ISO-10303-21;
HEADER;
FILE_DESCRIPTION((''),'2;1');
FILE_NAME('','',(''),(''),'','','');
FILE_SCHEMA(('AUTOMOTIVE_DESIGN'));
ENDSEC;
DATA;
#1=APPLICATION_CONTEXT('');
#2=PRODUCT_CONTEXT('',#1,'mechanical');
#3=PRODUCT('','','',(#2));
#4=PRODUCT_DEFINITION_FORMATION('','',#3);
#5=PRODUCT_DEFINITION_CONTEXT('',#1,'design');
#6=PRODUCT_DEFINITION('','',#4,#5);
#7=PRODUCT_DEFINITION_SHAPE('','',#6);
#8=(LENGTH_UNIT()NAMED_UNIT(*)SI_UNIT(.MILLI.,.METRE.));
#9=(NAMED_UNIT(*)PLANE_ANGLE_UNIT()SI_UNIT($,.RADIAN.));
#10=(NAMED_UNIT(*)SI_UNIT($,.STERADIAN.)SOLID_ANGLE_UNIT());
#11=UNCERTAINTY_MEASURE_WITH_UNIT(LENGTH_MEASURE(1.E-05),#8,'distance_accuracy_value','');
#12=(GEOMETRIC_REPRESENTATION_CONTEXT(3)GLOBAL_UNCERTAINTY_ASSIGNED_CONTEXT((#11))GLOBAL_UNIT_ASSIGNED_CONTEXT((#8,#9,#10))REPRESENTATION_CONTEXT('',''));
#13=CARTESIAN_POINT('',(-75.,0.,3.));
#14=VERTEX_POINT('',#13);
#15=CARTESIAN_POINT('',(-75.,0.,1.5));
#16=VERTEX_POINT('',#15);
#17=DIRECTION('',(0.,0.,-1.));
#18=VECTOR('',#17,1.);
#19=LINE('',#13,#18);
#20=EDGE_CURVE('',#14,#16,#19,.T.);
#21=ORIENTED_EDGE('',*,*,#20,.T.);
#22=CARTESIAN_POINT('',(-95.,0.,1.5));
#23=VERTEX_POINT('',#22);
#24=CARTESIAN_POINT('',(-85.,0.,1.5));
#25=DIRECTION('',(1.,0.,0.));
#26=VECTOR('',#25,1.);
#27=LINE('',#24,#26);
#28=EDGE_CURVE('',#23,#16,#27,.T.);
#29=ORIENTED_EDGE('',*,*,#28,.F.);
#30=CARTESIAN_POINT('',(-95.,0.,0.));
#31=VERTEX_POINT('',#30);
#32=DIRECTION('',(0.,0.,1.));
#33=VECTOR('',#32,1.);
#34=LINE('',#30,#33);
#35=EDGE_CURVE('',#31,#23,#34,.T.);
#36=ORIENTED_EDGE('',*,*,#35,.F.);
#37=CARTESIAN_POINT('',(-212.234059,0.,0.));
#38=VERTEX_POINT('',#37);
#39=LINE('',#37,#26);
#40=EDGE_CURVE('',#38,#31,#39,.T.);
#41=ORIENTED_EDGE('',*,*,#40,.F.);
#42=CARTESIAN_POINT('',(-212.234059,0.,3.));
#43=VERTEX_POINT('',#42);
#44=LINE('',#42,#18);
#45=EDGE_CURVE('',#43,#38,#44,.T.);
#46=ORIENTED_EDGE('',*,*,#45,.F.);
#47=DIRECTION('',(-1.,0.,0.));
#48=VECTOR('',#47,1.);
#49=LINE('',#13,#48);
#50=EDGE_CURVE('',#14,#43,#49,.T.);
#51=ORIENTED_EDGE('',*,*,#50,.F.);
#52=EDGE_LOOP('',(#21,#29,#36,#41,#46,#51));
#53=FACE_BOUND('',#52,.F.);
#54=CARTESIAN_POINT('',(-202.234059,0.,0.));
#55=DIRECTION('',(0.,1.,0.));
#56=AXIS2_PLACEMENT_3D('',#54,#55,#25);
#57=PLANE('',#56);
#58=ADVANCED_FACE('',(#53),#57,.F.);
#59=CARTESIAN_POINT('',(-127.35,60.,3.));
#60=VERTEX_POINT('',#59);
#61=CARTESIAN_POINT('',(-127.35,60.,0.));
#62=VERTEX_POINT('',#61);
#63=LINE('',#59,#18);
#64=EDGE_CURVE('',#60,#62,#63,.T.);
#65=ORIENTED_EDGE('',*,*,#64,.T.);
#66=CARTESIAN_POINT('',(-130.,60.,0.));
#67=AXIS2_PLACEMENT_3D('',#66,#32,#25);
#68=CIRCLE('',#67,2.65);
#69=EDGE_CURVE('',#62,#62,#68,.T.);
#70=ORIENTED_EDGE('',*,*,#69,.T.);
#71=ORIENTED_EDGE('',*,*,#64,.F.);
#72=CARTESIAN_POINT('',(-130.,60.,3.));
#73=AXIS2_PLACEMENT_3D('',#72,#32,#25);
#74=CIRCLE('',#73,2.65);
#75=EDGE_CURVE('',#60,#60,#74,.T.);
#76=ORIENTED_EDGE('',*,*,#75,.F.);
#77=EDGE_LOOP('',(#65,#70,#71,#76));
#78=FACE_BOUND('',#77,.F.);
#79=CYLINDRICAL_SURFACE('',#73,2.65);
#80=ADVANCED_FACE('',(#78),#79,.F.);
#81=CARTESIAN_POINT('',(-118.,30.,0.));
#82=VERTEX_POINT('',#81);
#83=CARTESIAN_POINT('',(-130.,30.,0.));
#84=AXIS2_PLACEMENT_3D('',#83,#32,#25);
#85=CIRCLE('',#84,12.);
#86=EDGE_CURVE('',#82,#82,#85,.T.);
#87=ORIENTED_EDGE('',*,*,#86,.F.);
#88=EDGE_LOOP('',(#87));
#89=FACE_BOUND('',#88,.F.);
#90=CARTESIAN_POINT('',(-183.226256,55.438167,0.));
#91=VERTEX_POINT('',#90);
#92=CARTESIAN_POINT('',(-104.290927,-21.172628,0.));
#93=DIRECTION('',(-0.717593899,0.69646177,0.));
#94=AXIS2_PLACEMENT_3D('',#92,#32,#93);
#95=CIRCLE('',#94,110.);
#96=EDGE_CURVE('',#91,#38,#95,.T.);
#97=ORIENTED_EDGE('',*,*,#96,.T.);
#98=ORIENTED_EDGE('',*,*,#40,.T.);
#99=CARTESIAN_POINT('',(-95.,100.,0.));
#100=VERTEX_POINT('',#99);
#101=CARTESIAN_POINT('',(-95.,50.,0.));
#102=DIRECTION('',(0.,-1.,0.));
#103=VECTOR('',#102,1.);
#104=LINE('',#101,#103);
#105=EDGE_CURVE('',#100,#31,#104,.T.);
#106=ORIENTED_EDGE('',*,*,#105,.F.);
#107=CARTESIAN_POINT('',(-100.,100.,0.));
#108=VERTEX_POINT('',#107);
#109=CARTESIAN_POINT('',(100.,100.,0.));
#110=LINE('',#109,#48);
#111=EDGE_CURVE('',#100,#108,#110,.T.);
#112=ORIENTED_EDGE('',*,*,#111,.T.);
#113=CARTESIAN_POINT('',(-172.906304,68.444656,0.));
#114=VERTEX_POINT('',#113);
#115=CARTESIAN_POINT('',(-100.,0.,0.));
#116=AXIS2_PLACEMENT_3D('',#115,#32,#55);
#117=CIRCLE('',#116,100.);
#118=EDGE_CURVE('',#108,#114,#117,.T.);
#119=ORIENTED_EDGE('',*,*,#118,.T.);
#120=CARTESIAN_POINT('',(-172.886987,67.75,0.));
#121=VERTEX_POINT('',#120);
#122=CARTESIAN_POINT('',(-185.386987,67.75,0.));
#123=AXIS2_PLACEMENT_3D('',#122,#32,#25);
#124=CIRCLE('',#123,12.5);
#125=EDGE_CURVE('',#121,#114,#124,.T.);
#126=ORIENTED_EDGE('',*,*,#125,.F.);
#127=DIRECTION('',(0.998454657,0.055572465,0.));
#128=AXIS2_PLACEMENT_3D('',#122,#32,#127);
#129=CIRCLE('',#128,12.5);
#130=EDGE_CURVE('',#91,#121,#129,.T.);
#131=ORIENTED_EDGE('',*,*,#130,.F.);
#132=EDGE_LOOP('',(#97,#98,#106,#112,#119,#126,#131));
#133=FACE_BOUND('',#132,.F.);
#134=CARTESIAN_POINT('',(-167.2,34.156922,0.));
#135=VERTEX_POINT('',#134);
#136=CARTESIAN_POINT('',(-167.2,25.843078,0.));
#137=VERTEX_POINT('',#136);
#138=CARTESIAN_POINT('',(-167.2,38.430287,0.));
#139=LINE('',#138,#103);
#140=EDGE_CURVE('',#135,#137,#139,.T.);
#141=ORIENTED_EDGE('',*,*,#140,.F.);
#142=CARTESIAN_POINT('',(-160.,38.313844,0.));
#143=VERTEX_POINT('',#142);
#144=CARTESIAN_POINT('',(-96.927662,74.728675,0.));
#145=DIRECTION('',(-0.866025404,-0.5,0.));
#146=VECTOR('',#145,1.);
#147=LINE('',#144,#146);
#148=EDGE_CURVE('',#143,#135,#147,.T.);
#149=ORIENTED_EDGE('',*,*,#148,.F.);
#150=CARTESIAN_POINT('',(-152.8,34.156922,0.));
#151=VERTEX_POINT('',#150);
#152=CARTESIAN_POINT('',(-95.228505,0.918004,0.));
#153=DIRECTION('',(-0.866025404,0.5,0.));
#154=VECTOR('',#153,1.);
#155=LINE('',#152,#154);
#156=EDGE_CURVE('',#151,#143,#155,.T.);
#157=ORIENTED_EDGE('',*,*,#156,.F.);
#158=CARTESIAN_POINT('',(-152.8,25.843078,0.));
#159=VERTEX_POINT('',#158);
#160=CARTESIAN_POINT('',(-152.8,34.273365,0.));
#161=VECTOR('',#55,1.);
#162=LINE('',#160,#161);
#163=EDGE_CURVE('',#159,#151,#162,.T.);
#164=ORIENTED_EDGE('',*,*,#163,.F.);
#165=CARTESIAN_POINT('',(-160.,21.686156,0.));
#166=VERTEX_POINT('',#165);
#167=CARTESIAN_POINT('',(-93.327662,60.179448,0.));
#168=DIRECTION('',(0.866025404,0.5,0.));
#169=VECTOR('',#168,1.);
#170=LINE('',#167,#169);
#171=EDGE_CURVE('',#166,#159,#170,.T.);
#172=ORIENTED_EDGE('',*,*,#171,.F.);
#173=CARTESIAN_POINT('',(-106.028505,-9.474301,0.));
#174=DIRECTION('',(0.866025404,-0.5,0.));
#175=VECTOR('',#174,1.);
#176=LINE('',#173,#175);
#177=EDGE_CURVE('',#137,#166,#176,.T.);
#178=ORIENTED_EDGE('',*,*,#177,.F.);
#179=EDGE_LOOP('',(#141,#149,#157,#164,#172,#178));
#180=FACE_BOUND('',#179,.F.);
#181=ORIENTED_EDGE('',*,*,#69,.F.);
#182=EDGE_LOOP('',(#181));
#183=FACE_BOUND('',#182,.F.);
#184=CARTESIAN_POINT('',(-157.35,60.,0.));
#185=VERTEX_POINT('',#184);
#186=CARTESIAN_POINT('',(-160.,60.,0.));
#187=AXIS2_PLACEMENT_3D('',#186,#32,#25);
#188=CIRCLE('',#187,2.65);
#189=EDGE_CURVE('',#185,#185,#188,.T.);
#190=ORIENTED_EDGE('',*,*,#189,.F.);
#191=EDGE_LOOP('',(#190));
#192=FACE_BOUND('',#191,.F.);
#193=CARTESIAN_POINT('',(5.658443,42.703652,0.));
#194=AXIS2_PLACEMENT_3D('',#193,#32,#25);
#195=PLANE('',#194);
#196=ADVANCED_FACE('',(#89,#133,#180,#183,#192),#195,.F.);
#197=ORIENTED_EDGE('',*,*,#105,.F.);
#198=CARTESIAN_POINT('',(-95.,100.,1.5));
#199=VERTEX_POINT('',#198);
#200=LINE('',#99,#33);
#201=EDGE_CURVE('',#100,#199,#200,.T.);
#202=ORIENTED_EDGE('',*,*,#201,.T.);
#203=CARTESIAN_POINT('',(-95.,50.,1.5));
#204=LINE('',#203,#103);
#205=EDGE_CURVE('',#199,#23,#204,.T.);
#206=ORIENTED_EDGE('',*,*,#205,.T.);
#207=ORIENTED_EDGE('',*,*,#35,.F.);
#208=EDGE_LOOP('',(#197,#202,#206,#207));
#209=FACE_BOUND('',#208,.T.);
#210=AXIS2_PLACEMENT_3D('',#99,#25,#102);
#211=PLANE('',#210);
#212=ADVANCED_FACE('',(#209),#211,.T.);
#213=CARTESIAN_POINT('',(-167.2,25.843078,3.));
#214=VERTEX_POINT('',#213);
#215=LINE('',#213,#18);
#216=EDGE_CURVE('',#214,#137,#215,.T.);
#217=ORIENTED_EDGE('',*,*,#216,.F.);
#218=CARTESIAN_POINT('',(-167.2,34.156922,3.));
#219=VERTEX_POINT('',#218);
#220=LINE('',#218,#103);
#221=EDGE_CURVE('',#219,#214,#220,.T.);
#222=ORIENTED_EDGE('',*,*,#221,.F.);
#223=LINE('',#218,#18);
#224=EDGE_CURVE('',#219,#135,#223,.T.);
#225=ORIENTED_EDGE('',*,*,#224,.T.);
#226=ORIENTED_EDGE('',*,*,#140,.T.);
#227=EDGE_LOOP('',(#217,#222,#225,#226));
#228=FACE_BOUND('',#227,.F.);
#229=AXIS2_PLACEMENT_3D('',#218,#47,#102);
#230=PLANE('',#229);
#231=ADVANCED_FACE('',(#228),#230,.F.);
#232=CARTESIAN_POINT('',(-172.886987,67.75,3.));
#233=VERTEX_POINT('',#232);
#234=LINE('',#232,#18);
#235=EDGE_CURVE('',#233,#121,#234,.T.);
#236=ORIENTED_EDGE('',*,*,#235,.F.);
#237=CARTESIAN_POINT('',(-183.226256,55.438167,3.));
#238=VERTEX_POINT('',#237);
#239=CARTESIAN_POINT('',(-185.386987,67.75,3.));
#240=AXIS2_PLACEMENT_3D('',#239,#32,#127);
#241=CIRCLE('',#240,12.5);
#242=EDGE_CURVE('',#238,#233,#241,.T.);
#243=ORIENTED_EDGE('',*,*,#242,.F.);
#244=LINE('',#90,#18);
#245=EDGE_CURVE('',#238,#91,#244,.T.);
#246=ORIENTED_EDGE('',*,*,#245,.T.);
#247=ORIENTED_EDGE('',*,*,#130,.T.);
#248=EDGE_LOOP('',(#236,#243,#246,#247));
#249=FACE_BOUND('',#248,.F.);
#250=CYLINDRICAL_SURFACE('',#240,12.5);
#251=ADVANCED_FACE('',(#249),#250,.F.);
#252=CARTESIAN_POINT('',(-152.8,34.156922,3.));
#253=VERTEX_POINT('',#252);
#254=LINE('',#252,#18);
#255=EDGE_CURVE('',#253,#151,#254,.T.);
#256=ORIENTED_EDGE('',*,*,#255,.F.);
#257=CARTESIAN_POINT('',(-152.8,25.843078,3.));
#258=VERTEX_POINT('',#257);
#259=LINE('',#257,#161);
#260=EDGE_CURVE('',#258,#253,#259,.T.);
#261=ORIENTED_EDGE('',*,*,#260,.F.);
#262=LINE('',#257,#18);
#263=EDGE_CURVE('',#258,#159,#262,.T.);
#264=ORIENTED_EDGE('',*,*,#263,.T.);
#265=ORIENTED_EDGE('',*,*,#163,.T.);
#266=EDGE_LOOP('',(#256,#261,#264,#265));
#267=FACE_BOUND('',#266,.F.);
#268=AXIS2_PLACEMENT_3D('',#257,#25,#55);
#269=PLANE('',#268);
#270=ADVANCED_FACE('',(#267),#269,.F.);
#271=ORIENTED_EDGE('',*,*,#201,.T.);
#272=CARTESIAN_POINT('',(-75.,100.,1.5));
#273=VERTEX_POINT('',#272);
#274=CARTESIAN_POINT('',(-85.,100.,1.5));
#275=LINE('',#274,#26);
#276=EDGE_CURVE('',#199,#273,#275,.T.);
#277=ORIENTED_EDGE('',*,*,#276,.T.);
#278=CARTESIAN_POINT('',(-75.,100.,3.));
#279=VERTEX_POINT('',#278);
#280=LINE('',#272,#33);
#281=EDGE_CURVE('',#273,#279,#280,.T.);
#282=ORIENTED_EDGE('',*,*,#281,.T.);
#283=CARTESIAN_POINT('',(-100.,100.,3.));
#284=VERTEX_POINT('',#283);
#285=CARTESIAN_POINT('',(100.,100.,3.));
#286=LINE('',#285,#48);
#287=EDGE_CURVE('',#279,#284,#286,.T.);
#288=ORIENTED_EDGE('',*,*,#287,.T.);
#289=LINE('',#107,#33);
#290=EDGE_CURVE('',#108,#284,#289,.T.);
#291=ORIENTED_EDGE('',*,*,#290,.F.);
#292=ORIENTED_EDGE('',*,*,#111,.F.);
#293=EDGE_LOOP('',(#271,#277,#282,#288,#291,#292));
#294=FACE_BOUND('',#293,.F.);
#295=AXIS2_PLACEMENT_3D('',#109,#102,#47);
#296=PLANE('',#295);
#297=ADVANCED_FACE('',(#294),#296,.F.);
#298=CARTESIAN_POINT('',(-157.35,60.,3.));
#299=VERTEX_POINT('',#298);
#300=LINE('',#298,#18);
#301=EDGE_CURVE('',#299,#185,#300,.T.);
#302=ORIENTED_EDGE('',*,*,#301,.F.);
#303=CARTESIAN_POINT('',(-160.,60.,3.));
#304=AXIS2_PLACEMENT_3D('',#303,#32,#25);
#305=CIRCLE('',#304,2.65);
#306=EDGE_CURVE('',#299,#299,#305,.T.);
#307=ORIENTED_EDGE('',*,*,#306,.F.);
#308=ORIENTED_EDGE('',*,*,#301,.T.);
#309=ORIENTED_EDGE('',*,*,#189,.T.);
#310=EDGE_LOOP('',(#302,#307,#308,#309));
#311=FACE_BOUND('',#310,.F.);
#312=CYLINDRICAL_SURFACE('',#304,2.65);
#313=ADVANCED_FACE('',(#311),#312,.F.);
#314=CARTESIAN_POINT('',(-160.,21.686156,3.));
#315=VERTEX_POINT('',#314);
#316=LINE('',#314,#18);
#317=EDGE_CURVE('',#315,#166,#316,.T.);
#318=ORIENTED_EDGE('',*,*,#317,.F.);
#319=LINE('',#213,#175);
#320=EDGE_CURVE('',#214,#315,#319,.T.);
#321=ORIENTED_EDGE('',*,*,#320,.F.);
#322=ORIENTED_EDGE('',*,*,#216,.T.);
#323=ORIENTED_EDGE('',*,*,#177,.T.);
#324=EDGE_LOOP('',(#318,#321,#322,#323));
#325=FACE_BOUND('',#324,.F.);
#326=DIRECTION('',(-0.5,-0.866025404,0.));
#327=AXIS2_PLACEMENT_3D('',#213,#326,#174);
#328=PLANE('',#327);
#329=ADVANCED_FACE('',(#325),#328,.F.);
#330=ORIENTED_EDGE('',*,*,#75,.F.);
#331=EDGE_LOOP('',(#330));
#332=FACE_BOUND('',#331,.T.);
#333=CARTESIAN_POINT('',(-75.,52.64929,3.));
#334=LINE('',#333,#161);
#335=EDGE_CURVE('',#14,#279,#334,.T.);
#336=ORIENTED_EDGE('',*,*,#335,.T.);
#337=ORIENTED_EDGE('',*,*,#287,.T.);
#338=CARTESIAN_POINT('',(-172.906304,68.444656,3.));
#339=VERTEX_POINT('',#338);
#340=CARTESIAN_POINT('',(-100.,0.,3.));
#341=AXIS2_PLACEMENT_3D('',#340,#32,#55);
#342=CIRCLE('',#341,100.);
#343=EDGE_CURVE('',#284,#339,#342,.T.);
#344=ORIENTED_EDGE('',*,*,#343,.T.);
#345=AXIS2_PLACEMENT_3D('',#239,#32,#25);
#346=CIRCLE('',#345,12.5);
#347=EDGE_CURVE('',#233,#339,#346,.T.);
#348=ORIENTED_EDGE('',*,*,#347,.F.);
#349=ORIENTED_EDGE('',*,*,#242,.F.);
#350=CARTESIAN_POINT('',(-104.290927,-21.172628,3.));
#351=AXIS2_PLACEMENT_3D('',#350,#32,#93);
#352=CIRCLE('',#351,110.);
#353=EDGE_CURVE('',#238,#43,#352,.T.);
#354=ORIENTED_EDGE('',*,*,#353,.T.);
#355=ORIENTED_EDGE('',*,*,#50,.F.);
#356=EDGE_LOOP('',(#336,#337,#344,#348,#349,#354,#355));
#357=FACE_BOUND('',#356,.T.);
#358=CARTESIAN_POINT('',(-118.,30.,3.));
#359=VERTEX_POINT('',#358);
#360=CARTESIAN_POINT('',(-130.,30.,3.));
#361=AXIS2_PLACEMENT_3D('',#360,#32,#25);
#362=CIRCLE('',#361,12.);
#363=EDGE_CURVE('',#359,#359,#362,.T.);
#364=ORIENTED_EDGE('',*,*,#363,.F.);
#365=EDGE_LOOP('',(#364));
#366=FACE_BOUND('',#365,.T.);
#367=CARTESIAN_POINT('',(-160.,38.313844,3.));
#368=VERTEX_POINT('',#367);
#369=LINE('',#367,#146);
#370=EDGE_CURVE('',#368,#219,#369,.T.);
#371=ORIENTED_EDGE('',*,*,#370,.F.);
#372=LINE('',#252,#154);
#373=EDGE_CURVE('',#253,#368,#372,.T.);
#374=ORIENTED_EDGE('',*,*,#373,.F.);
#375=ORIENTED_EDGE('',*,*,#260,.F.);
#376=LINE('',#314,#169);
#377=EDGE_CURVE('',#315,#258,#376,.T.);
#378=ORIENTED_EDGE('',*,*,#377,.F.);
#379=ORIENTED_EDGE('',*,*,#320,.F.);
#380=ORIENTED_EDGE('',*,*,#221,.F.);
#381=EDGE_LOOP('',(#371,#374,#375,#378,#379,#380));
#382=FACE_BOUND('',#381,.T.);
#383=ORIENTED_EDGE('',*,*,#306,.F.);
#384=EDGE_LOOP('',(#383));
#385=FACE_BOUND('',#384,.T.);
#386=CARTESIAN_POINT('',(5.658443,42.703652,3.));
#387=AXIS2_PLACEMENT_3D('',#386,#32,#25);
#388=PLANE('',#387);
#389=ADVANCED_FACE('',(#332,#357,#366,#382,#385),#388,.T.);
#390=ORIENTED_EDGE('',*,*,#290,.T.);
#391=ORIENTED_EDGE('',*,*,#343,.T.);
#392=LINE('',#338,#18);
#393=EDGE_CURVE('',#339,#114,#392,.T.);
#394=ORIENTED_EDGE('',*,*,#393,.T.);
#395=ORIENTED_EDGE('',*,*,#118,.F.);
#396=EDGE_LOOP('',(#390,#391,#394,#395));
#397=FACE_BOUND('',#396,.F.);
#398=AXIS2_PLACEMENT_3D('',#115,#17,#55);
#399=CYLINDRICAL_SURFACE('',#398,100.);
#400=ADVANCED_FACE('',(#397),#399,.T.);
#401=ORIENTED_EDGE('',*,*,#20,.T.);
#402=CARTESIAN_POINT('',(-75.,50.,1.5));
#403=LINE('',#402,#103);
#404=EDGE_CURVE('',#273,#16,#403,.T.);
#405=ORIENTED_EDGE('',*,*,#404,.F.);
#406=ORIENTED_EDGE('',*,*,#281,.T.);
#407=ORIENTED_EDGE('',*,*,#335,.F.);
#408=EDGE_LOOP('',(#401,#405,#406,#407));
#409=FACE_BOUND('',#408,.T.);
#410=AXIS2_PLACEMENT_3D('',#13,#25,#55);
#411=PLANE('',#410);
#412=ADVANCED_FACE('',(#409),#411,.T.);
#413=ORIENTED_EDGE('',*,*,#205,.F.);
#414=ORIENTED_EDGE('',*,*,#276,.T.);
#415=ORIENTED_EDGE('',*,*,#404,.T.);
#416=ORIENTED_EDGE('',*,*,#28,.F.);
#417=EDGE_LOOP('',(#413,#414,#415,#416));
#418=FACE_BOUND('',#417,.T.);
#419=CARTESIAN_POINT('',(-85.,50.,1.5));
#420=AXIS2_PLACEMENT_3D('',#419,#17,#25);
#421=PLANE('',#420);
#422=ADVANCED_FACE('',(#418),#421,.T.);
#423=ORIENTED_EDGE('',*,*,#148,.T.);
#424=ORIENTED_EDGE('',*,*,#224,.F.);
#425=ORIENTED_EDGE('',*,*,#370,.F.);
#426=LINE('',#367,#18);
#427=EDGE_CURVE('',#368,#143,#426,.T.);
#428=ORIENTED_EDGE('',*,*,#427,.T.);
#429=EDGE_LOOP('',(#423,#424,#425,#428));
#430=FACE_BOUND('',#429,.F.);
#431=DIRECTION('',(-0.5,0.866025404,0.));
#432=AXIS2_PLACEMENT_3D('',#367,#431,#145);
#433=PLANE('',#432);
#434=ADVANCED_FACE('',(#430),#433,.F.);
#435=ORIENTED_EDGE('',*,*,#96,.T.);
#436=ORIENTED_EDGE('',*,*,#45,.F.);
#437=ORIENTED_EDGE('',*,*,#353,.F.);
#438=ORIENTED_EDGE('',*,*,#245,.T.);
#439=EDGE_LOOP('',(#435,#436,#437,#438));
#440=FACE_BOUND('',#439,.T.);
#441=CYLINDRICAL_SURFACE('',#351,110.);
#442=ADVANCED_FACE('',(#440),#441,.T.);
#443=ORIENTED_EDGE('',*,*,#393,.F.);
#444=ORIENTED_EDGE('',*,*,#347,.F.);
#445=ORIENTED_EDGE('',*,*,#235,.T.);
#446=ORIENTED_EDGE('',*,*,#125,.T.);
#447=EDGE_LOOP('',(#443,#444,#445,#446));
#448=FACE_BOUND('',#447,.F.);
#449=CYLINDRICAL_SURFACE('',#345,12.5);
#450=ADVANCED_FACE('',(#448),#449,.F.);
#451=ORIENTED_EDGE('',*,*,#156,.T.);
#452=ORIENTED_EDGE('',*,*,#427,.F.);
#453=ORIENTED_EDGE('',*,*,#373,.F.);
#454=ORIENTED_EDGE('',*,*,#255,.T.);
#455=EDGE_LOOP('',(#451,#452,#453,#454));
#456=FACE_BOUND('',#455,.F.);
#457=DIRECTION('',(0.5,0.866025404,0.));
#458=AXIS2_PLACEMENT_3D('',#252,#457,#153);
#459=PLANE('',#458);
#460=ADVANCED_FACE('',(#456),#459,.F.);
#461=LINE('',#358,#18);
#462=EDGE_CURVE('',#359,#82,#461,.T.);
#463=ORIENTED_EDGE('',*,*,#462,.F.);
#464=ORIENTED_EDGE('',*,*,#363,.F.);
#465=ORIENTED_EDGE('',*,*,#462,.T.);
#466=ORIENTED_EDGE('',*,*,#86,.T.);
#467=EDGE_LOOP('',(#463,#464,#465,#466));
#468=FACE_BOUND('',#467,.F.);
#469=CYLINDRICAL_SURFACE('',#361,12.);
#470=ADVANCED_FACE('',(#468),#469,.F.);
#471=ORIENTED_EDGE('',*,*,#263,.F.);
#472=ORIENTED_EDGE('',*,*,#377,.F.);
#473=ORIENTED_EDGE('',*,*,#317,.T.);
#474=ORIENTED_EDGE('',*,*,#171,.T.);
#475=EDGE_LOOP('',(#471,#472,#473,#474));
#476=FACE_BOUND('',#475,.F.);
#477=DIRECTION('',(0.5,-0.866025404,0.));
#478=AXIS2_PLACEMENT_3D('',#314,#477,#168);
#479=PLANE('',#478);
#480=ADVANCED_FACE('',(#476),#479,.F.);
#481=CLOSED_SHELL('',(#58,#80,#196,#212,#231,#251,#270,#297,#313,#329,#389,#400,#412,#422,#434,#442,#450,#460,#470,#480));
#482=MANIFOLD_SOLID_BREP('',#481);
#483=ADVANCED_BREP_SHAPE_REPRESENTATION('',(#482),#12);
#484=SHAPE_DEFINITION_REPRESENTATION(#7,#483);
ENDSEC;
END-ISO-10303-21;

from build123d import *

# Parameters (mm, degrees)
F1_DEPTH  = 3
F3_DEPTH  = 25
F4_R      = 5
F5_R      = 12
F5_R_2    = 2.65
F6_DEPTH  = 25
F7_W      = 78
F7_H      = 55.5
F7_R      = 2
F8_DEPTH  = 25
F9_R      = 8.15
F10_DEPTH = 25
F12_W     = 300.7349916597
F12_H     = 105.2985801398
F13_DEPTH = 25
F14_W     = 20
F14_H     = 100
F15_DEPTH = 1.5
F17_DEPTH = 25
F19_DEPTH = 3


with BuildPart() as f1:
    # F0 (on Top) → F1 (new body)
    with BuildSketch(Plane.XY):
        with BuildLine():
            Line((-197.8147600734, 20.7911690818), (-202.2340594865, 0))
            Line((-202.2340594865, 0), (216.0975214603, 0))
            Line((216.0975214603, 0), (209.2885731253, 20.7911690818))
            ThreePointArc((209.2885731253, 20.7911690818), (167.4870934164, 78.1154778874), (100, 100))
            Line((100, 100), (-100, 100))
            ThreePointArc((-100, 100), (-162.932039105, 77.7145961457), (-197.8147600734, 20.7911690818))
        make_face()
    extrude(amount=F1_DEPTH)

    # F2 (on face) → F3 (cut)
    with BuildSketch(Plane.XY.offset(3)):
        with BuildLine():
            ThreePointArc((1.5842979518, 0), (9.4530988092, 4.1693984068), (12.6, 12.5))
            ThreePointArc((12.6, 12.5), (12.2192388124, 15.5741182224), (11.0999678023, 18.4624420155))
            ThreePointArc((11.0999678023, 18.4624420155), (0, 25.1), (-11.0999678023, 18.4624420155))
            ThreePointArc((-11.0999678023, 18.4624420155), (-11.1999147641, 6.7274867453), (-1.5842979518, 0))
            Line((-1.5842979518, 0), (1.5842979518, 0))
        make_face()
        with BuildLine():
            ThreePointArc((11.0999678023, 18.4624420155), (12.2192388124, 15.5741182224), (12.6, 12.5))
            ThreePointArc((12.6, 12.5), (9.4530988092, 4.1693984068), (1.5842979518, 0))
            Line((1.5842979518, 0), (21.7592636698, 0))
            Line((21.7592636698, 0), (11.0999678023, 18.4624420155))
        make_face()
        with BuildLine():
            ThreePointArc((-1.5842979518, 0), (0, -0.1), (1.5842979518, 0))
            Line((1.5842979518, 0), (-1.5842979518, 0))
        make_face()
        with BuildLine():
            ThreePointArc((-1.5842979518, 0), (-11.1999147641, 6.7274867453), (-11.0999678023, 18.4624420155))
            Line((-11.0999678023, 18.4624420155), (-21.7592636698, 0))
            Line((-21.7592636698, 0), (-1.5842979518, 0))
        make_face()
    extrude(amount=-F3_DEPTH, mode=Mode.SUBTRACT)

    # F4
    f4_edges = [f1.edges().sort_by_distance(p)[0] for p in [
        (-21.759264, 0, 1.5),
        (21.759264, 0, 1.5),
    ]]
    fillet(f4_edges, radius=F4_R)

    # F5 (on face) → F6 (cut)
    with BuildSketch(Plane.XY.offset(3)):
        Polygon((-160, 38.3138438763), (-167.2, 34.1569219382), (-167.2, 25.8430780618), (-160, 21.6861561237), (-152.8, 25.8430780618), (-152.8, 34.1569219382), align=None)
        with Locations((-130, 30)):
            Circle(F5_R)
        with Locations((-130, 60)):
            Circle(F5_R_2)
        with Locations((-160, 60)):
            Circle(F5_R_2)
    extrude(amount=-F6_DEPTH, mode=Mode.SUBTRACT)

    # F7 (on face) → F8 (cut)
    with BuildSketch(Plane.XY.offset(3)):
        with Locations((0, 57.75)):
            Rectangle(F7_W, F7_H)
        with Locations((-42.6313167033, 28.25)):
            Circle(F7_R)
        with Locations((-42.6313167033, 87.25)):
            Circle(F7_R)
        with Locations((42.3686832967, 87.25)):
            Circle(F7_R)
        with Locations((42.3686832967, 28.25)):
            Circle(F7_R)
    extrude(amount=-F8_DEPTH, mode=Mode.SUBTRACT)

    # F9 (on face) → F10 (cut)
    with BuildSketch(Plane.XY.offset(3)):
        with Locations((115, 30)):
            Circle(F9_R)
    extrude(amount=-F10_DEPTH, mode=Mode.SUBTRACT)

    # F12 (on face) → F13 (cut)
    with BuildSketch(Plane.XY.offset(3)):
        with Locations((75.3674958299, 52.6492900699)):
            Rectangle(F12_W, F12_H)
    extrude(amount=-F13_DEPTH, mode=Mode.SUBTRACT)

    # F14 (on face) → F15 (cut)
    with BuildSketch(Plane(origin=(0, 0, 0), x_dir=(1, 0, 0), z_dir=(0, 0, -1))):
        with Locations((-85, -50)):
            Rectangle(F14_W, F14_H)
    extrude(amount=-F15_DEPTH, mode=Mode.SUBTRACT)

    # F16 (on face) → F17 (cut)
    with BuildSketch(Plane.XY.offset(3)):
        with BuildLine():
            ThreePointArc((-183.2262560087, 55.4381665532), (-175.8146533038, 59.7113164576), (-172.8869867134, 67.75))
            ThreePointArc((-172.8869867134, 67.75), (-172.891816845, 68.0974621682), (-172.9063035068, 68.4446558102))
            ThreePointArc((-172.9063035068, 68.4446558102), (-178.3366850582, 62.1559633028), (-183.2262560087, 55.4381665532))
        make_face()
        with BuildLine():
            ThreePointArc((-183.2262560087, 55.4381665532), (-178.3366850582, 62.1559633028), (-172.9063035068, 68.4446558102))
            ThreePointArc((-172.9063035068, 68.4446558102), (-195.1790723457, 75.5194954128), (-183.2262560087, 55.4381665532))
        make_face()
    extrude(amount=-F17_DEPTH, mode=Mode.SUBTRACT)

    # F18 (on face) → F19 (join)
    with BuildSketch(Plane.XY.offset(3)):
        with BuildLine():
            Line((-183.2262560087, 0), (-183.2262560087, 55.4381665532))
            ThreePointArc((-183.2262560087, 55.4381665532), (-201.7549584248, 29.8250444644), (-212.2340594865, 0))
            Line((-212.2340594865, 0), (-183.2262560087, 0))
        make_face()
    extrude(amount=-F19_DEPTH)


solid = f1.part
